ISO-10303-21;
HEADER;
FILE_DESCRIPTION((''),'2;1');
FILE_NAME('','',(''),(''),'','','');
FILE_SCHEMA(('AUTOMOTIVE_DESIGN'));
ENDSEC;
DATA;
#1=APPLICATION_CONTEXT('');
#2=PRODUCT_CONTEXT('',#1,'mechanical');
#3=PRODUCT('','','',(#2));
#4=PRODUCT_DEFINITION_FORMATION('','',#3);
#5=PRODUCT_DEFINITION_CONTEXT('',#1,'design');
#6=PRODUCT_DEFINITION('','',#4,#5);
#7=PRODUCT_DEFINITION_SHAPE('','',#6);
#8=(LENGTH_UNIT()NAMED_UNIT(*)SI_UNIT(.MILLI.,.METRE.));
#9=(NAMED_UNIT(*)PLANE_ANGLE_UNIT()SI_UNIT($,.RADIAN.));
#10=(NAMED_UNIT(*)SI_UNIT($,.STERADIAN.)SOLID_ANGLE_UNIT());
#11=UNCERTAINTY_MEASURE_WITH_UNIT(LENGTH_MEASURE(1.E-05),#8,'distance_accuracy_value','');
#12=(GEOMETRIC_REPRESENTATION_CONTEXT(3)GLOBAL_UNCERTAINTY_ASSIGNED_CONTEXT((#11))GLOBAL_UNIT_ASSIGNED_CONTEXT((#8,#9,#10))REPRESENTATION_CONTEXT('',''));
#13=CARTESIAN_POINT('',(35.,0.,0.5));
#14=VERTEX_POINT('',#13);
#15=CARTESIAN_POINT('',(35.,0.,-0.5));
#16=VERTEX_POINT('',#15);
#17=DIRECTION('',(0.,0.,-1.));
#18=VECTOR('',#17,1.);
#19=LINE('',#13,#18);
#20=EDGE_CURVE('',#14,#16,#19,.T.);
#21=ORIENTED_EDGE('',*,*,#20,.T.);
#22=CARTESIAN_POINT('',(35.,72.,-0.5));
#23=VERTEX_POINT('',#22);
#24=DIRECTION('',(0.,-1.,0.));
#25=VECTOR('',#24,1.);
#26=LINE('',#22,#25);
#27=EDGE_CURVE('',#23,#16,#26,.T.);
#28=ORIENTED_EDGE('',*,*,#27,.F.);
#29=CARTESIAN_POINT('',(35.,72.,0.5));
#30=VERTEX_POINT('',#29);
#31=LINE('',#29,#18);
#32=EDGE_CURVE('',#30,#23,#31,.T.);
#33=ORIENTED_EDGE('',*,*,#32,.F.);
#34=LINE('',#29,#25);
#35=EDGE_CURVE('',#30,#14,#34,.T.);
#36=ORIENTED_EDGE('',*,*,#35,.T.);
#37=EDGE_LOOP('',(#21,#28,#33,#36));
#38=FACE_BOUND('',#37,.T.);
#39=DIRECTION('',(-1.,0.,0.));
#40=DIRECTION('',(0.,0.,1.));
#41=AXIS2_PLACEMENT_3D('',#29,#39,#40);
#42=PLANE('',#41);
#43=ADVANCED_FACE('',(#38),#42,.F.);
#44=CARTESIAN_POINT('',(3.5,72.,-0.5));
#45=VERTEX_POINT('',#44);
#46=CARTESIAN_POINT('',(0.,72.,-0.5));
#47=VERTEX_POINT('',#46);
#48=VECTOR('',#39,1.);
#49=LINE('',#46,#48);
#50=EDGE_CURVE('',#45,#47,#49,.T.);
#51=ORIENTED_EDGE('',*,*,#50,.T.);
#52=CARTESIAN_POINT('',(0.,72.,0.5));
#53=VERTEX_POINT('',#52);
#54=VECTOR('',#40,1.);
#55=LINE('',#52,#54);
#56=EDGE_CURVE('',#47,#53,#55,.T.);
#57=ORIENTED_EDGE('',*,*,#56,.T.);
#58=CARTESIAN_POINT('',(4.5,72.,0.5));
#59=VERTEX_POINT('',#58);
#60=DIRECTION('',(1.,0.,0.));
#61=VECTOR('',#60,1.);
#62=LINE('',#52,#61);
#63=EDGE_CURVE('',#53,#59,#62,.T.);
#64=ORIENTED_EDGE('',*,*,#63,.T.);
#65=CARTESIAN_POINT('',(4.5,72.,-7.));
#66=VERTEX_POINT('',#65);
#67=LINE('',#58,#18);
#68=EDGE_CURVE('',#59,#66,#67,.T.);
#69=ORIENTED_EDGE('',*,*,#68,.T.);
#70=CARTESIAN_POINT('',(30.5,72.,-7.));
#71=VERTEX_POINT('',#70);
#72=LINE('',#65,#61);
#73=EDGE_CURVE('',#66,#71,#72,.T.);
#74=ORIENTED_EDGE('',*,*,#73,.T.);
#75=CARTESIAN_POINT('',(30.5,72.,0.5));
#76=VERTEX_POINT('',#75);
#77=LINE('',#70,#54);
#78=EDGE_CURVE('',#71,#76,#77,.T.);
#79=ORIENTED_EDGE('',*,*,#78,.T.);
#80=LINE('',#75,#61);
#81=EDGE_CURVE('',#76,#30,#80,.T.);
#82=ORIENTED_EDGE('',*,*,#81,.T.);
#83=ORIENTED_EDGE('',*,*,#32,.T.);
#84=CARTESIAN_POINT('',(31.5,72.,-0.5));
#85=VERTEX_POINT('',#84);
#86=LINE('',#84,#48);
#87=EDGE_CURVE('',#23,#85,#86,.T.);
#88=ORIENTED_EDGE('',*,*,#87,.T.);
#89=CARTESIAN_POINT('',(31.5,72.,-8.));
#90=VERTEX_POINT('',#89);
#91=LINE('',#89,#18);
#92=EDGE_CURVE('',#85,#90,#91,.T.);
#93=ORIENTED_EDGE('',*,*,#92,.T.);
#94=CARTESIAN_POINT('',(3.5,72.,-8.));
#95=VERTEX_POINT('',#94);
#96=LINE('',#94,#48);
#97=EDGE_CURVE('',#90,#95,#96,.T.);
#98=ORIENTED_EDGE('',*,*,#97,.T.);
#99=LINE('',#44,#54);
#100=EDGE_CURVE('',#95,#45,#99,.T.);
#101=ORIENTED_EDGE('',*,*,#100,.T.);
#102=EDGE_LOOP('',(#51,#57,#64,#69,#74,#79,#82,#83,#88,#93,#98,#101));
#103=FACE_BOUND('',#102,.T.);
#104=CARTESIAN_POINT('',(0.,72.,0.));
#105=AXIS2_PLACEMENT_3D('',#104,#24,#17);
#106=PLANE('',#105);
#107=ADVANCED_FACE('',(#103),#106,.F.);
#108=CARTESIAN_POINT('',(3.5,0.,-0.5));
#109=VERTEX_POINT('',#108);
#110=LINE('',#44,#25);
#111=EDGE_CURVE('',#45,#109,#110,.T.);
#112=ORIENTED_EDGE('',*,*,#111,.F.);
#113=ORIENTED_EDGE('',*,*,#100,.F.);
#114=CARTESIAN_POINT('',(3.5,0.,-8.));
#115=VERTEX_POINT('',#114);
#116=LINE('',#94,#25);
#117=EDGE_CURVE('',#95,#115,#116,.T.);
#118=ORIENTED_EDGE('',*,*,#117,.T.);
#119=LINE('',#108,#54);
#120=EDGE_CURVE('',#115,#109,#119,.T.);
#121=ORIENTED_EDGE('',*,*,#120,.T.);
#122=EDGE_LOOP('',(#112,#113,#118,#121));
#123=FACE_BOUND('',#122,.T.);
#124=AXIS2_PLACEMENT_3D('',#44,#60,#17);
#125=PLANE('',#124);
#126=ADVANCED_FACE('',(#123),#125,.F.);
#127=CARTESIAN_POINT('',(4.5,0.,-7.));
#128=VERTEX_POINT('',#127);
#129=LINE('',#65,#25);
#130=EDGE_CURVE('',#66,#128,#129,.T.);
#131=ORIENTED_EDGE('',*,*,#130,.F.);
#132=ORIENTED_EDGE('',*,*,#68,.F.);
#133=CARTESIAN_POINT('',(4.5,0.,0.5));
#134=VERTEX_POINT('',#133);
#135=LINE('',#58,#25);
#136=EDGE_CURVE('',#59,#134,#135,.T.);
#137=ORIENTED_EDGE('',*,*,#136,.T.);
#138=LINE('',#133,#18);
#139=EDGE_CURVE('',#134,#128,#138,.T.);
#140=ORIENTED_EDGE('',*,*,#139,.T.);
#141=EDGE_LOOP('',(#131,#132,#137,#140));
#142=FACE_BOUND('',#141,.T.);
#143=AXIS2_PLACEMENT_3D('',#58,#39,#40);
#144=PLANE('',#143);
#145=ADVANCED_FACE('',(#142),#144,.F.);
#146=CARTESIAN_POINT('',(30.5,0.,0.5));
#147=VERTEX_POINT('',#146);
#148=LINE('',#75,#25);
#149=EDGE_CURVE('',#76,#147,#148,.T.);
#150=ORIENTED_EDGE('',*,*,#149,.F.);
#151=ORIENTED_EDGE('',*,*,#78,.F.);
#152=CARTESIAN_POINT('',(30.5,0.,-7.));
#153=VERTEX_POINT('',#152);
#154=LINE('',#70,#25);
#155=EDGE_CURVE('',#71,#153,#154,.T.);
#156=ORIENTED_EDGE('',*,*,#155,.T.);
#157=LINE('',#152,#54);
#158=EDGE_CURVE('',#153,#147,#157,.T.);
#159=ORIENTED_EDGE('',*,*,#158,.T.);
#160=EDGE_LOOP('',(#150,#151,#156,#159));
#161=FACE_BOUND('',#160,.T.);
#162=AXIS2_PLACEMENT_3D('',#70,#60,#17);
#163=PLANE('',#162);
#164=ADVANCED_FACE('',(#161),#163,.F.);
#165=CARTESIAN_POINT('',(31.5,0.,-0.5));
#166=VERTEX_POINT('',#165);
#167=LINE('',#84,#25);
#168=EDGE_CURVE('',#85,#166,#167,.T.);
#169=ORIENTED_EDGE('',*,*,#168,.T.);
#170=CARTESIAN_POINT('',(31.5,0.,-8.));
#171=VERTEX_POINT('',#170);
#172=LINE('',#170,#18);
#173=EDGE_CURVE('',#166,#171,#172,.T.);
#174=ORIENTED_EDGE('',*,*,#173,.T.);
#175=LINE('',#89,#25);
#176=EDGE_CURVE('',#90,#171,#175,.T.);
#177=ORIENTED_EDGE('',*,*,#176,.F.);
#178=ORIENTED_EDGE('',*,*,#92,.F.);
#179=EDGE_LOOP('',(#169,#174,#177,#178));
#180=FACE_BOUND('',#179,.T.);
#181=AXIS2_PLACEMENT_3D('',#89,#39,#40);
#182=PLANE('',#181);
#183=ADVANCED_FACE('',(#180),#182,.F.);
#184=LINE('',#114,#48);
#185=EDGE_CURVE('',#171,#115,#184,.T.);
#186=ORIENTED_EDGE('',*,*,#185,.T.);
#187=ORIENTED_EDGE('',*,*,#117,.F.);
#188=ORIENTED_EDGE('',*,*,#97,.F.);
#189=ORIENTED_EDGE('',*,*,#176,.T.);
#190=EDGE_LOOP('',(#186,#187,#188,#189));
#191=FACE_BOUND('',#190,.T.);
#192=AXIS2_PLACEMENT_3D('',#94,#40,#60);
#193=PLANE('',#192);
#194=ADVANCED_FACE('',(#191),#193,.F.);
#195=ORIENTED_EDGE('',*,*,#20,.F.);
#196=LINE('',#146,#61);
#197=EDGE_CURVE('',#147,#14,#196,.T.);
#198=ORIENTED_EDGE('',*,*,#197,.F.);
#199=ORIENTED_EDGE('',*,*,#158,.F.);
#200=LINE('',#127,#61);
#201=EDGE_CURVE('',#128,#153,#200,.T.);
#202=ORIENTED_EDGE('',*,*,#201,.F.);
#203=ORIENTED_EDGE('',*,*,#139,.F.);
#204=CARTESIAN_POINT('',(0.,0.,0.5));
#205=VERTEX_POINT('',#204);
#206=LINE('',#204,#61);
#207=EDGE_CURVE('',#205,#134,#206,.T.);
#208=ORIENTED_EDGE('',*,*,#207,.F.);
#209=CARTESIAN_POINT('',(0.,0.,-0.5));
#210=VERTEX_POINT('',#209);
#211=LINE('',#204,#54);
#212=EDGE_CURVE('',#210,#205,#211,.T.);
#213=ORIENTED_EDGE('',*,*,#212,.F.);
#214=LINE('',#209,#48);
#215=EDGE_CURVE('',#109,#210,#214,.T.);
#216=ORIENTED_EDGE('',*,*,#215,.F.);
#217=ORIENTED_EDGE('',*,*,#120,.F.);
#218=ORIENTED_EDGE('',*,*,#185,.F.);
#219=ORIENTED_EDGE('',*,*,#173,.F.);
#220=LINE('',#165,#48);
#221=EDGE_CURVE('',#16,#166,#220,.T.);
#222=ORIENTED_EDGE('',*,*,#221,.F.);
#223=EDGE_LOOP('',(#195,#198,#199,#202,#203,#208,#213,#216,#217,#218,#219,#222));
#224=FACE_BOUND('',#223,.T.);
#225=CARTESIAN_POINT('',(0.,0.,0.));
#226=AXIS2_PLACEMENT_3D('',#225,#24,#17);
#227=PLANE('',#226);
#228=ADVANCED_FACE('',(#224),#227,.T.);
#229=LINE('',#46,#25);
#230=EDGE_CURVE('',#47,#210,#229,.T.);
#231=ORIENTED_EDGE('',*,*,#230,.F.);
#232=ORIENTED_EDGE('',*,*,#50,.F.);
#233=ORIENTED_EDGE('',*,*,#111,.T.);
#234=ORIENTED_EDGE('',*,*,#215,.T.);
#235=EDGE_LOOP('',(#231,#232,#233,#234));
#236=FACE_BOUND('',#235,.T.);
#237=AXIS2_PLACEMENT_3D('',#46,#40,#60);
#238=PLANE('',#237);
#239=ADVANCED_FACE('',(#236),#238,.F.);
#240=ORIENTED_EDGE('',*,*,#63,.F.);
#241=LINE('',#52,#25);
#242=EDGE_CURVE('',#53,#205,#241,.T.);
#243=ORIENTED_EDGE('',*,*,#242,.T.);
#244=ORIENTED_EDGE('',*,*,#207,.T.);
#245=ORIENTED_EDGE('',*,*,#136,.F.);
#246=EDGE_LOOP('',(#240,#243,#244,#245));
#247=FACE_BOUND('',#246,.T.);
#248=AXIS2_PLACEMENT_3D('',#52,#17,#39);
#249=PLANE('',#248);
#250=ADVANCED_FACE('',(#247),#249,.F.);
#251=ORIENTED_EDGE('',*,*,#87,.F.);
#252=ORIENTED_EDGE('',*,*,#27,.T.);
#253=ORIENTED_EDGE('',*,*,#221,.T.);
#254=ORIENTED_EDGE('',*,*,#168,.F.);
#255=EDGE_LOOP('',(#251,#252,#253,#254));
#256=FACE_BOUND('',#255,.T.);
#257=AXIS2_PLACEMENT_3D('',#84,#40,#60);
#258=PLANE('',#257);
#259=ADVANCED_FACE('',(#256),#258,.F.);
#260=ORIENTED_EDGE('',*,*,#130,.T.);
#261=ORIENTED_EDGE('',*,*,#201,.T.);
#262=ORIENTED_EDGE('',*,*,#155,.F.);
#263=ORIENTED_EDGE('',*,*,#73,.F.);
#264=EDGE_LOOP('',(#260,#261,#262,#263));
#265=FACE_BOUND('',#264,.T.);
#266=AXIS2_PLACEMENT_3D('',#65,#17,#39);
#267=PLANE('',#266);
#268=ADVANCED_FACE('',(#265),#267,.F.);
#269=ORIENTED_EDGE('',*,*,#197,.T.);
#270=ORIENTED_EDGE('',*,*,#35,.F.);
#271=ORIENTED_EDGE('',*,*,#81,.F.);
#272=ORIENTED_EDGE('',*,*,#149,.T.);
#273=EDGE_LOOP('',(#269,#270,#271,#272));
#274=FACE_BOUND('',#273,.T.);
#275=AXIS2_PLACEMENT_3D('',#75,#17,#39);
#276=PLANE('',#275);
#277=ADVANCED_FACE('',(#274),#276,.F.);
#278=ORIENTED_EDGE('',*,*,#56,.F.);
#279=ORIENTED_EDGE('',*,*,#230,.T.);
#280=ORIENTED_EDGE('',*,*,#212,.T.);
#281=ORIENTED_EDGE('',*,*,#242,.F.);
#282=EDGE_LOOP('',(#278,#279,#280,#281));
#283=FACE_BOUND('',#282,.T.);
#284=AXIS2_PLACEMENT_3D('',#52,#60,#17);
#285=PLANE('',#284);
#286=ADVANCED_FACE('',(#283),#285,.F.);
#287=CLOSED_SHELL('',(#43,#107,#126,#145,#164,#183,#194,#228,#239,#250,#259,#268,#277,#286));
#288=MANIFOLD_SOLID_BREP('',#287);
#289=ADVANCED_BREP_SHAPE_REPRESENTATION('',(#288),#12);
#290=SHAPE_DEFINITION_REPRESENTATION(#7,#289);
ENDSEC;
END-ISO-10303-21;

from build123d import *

# Parameters (mm, degrees)
BOSS_EXTRUDE1_DEPTH = 72


with BuildPart() as part:
    # Sketch1 → Boss-Extrude1 (new body)
    with BuildSketch(Plane(origin=(0, 0, 0), x_dir=(1, 0, 0), z_dir=(0, 1, 0))):
        Polygon((0, -0.5), (4.5, -0.5), (4.5, 7), (30.5, 7), (30.5, -0.5), (35, -0.5), (35, 0.5), (31.5, 0.5), (31.5, 8), (3.5, 8), (3.5, 0.5), (0, 0.5), align=None)
    extrude(amount=BOSS_EXTRUDE1_DEPTH)


solid = part.part
